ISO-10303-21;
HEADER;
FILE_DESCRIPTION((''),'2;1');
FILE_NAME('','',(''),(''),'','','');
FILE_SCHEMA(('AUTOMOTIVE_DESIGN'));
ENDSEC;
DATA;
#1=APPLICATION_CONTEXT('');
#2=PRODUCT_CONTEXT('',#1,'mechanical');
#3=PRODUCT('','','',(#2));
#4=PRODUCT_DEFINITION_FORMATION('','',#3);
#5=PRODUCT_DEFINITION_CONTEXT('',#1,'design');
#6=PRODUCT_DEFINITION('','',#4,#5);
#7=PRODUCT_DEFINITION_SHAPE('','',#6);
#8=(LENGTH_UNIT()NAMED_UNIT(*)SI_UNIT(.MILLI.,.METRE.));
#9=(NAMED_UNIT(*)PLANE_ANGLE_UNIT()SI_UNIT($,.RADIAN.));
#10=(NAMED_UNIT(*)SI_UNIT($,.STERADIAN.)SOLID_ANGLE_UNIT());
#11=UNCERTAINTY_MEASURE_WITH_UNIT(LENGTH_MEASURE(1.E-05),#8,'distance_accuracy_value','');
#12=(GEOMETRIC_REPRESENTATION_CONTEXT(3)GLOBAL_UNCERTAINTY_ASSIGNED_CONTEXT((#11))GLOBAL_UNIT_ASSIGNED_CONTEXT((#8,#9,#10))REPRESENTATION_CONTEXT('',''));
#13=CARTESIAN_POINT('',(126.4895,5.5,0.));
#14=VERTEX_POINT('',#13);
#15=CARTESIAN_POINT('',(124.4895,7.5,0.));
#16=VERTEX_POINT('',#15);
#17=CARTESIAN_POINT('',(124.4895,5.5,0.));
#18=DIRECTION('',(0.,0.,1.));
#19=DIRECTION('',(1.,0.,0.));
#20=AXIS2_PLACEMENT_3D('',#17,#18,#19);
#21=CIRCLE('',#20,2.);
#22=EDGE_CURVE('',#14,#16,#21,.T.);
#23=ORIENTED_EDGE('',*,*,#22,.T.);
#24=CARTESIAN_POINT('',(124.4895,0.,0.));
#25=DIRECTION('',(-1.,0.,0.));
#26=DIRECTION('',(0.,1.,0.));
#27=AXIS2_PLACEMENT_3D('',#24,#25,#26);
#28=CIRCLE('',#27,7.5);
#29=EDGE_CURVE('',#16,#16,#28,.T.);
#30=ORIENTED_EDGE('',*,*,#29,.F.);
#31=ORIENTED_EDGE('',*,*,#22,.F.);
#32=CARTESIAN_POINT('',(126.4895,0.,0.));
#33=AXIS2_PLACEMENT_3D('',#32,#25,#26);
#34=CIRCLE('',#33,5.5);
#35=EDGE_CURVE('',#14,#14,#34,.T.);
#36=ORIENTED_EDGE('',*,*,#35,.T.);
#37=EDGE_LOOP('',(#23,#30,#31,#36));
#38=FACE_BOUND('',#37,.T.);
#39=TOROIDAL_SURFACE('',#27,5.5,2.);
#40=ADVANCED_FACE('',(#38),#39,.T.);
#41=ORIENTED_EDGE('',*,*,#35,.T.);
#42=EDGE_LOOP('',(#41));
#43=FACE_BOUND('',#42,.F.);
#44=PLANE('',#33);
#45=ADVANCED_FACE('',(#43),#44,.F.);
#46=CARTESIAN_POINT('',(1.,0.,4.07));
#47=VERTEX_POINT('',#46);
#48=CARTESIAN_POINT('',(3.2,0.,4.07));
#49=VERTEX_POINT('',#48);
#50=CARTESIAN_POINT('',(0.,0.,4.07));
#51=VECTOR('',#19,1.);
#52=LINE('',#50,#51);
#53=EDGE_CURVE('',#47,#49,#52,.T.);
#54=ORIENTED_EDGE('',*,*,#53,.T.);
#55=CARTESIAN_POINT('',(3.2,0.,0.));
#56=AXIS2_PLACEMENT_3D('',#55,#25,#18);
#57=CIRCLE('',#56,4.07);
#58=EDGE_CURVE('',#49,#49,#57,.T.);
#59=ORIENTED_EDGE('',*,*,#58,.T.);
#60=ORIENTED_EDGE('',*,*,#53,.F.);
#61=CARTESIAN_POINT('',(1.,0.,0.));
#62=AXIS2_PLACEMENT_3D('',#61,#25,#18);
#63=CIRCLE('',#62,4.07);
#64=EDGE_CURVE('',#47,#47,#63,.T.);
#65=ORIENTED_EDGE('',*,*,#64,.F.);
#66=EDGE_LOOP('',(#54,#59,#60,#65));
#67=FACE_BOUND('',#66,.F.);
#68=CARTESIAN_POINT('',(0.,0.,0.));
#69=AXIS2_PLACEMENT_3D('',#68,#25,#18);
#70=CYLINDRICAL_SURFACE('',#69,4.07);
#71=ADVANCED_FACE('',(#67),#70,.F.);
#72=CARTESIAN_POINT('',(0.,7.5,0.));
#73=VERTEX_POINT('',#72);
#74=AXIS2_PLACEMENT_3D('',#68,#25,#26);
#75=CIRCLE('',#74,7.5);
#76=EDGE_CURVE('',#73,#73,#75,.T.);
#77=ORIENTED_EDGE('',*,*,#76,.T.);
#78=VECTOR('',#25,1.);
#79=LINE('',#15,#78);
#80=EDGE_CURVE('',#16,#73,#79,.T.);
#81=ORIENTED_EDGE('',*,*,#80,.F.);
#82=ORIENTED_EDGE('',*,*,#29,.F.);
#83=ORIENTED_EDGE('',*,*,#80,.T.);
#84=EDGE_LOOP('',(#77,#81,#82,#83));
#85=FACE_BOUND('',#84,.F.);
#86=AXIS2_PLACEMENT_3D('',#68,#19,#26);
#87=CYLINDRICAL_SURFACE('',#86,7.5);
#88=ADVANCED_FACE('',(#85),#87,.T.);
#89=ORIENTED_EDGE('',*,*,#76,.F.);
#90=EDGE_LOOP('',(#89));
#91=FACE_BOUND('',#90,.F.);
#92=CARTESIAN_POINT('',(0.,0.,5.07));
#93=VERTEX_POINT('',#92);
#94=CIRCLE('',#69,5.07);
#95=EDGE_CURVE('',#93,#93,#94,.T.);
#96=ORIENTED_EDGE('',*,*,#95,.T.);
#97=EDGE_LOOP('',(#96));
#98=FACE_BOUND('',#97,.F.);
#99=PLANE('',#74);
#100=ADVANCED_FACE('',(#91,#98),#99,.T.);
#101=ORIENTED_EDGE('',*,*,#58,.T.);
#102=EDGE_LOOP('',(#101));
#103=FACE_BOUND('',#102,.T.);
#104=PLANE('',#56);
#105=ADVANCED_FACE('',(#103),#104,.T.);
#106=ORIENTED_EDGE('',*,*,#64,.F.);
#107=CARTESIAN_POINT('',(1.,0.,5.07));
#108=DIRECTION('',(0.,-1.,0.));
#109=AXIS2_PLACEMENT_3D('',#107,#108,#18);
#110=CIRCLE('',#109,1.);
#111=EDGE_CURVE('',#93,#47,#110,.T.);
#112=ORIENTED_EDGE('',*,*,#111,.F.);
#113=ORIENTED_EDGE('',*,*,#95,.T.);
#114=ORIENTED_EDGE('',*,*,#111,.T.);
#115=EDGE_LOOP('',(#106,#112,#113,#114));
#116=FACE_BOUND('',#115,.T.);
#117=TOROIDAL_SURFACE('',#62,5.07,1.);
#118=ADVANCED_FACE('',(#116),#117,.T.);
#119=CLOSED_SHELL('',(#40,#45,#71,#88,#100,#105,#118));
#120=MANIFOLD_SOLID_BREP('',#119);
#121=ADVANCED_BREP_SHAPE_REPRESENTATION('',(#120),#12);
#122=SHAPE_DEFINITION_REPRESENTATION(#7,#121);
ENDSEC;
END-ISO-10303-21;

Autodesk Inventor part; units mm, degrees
ref_plane "YZ Plane" through (0, 0, 0) normal (1, 0, 0) x (0, 1, 0)
ref_plane "XZ Plane" through (0, 0, 0) normal (0, 1, 0) x (-1, 0, 0)
ref_plane "XY Plane" through (0, 0, 0) normal (0, 0, 1) x (1, 0, 0)
sketch "Sketch1" plane through (0, 0, 0) normal (0, 0, 1) x (1, 0, 0)
  line L0 (0, 7.5) -> (100, 7.5)
  line L1 (100, 7.5) -> (100, 7.5)
  line L2 (126.4895, 0) -> (0, 0)
  line L3 (0, 0) -> (0, 7.5)
  line L4 (100, 7.5) -> (124.4895, 7.5)
  line L5 (126.4895, 5.5) -> (126.4895, 0)
  arc A0 (126.4895, 5.5) -> (124.4895, 7.5) centre (124.4895, 5.5) ccw
  dimension "d0" = 100
  dimension "d2" = 7.5
  dimension "d8" = 2
revolve "Revolution1" add sketch "Sketch1" angle 360 about axis through (126.4895, 0, 0) along (-1, 0, 0)
sketch "Sketch3" plane through (0, 0, 0) normal (-1, 0, 0) x (0, 0, 1)
  circle A0 centre (0, 0) radius 4.07
  dimension "d9" = 8.14
extrude "Extrusion2" cut sketch "Sketch3" against normal blind 3.2
fillet "Fillet1" radius 1 1 edges at (0, 0, -4.07)
properties part number "axis"
